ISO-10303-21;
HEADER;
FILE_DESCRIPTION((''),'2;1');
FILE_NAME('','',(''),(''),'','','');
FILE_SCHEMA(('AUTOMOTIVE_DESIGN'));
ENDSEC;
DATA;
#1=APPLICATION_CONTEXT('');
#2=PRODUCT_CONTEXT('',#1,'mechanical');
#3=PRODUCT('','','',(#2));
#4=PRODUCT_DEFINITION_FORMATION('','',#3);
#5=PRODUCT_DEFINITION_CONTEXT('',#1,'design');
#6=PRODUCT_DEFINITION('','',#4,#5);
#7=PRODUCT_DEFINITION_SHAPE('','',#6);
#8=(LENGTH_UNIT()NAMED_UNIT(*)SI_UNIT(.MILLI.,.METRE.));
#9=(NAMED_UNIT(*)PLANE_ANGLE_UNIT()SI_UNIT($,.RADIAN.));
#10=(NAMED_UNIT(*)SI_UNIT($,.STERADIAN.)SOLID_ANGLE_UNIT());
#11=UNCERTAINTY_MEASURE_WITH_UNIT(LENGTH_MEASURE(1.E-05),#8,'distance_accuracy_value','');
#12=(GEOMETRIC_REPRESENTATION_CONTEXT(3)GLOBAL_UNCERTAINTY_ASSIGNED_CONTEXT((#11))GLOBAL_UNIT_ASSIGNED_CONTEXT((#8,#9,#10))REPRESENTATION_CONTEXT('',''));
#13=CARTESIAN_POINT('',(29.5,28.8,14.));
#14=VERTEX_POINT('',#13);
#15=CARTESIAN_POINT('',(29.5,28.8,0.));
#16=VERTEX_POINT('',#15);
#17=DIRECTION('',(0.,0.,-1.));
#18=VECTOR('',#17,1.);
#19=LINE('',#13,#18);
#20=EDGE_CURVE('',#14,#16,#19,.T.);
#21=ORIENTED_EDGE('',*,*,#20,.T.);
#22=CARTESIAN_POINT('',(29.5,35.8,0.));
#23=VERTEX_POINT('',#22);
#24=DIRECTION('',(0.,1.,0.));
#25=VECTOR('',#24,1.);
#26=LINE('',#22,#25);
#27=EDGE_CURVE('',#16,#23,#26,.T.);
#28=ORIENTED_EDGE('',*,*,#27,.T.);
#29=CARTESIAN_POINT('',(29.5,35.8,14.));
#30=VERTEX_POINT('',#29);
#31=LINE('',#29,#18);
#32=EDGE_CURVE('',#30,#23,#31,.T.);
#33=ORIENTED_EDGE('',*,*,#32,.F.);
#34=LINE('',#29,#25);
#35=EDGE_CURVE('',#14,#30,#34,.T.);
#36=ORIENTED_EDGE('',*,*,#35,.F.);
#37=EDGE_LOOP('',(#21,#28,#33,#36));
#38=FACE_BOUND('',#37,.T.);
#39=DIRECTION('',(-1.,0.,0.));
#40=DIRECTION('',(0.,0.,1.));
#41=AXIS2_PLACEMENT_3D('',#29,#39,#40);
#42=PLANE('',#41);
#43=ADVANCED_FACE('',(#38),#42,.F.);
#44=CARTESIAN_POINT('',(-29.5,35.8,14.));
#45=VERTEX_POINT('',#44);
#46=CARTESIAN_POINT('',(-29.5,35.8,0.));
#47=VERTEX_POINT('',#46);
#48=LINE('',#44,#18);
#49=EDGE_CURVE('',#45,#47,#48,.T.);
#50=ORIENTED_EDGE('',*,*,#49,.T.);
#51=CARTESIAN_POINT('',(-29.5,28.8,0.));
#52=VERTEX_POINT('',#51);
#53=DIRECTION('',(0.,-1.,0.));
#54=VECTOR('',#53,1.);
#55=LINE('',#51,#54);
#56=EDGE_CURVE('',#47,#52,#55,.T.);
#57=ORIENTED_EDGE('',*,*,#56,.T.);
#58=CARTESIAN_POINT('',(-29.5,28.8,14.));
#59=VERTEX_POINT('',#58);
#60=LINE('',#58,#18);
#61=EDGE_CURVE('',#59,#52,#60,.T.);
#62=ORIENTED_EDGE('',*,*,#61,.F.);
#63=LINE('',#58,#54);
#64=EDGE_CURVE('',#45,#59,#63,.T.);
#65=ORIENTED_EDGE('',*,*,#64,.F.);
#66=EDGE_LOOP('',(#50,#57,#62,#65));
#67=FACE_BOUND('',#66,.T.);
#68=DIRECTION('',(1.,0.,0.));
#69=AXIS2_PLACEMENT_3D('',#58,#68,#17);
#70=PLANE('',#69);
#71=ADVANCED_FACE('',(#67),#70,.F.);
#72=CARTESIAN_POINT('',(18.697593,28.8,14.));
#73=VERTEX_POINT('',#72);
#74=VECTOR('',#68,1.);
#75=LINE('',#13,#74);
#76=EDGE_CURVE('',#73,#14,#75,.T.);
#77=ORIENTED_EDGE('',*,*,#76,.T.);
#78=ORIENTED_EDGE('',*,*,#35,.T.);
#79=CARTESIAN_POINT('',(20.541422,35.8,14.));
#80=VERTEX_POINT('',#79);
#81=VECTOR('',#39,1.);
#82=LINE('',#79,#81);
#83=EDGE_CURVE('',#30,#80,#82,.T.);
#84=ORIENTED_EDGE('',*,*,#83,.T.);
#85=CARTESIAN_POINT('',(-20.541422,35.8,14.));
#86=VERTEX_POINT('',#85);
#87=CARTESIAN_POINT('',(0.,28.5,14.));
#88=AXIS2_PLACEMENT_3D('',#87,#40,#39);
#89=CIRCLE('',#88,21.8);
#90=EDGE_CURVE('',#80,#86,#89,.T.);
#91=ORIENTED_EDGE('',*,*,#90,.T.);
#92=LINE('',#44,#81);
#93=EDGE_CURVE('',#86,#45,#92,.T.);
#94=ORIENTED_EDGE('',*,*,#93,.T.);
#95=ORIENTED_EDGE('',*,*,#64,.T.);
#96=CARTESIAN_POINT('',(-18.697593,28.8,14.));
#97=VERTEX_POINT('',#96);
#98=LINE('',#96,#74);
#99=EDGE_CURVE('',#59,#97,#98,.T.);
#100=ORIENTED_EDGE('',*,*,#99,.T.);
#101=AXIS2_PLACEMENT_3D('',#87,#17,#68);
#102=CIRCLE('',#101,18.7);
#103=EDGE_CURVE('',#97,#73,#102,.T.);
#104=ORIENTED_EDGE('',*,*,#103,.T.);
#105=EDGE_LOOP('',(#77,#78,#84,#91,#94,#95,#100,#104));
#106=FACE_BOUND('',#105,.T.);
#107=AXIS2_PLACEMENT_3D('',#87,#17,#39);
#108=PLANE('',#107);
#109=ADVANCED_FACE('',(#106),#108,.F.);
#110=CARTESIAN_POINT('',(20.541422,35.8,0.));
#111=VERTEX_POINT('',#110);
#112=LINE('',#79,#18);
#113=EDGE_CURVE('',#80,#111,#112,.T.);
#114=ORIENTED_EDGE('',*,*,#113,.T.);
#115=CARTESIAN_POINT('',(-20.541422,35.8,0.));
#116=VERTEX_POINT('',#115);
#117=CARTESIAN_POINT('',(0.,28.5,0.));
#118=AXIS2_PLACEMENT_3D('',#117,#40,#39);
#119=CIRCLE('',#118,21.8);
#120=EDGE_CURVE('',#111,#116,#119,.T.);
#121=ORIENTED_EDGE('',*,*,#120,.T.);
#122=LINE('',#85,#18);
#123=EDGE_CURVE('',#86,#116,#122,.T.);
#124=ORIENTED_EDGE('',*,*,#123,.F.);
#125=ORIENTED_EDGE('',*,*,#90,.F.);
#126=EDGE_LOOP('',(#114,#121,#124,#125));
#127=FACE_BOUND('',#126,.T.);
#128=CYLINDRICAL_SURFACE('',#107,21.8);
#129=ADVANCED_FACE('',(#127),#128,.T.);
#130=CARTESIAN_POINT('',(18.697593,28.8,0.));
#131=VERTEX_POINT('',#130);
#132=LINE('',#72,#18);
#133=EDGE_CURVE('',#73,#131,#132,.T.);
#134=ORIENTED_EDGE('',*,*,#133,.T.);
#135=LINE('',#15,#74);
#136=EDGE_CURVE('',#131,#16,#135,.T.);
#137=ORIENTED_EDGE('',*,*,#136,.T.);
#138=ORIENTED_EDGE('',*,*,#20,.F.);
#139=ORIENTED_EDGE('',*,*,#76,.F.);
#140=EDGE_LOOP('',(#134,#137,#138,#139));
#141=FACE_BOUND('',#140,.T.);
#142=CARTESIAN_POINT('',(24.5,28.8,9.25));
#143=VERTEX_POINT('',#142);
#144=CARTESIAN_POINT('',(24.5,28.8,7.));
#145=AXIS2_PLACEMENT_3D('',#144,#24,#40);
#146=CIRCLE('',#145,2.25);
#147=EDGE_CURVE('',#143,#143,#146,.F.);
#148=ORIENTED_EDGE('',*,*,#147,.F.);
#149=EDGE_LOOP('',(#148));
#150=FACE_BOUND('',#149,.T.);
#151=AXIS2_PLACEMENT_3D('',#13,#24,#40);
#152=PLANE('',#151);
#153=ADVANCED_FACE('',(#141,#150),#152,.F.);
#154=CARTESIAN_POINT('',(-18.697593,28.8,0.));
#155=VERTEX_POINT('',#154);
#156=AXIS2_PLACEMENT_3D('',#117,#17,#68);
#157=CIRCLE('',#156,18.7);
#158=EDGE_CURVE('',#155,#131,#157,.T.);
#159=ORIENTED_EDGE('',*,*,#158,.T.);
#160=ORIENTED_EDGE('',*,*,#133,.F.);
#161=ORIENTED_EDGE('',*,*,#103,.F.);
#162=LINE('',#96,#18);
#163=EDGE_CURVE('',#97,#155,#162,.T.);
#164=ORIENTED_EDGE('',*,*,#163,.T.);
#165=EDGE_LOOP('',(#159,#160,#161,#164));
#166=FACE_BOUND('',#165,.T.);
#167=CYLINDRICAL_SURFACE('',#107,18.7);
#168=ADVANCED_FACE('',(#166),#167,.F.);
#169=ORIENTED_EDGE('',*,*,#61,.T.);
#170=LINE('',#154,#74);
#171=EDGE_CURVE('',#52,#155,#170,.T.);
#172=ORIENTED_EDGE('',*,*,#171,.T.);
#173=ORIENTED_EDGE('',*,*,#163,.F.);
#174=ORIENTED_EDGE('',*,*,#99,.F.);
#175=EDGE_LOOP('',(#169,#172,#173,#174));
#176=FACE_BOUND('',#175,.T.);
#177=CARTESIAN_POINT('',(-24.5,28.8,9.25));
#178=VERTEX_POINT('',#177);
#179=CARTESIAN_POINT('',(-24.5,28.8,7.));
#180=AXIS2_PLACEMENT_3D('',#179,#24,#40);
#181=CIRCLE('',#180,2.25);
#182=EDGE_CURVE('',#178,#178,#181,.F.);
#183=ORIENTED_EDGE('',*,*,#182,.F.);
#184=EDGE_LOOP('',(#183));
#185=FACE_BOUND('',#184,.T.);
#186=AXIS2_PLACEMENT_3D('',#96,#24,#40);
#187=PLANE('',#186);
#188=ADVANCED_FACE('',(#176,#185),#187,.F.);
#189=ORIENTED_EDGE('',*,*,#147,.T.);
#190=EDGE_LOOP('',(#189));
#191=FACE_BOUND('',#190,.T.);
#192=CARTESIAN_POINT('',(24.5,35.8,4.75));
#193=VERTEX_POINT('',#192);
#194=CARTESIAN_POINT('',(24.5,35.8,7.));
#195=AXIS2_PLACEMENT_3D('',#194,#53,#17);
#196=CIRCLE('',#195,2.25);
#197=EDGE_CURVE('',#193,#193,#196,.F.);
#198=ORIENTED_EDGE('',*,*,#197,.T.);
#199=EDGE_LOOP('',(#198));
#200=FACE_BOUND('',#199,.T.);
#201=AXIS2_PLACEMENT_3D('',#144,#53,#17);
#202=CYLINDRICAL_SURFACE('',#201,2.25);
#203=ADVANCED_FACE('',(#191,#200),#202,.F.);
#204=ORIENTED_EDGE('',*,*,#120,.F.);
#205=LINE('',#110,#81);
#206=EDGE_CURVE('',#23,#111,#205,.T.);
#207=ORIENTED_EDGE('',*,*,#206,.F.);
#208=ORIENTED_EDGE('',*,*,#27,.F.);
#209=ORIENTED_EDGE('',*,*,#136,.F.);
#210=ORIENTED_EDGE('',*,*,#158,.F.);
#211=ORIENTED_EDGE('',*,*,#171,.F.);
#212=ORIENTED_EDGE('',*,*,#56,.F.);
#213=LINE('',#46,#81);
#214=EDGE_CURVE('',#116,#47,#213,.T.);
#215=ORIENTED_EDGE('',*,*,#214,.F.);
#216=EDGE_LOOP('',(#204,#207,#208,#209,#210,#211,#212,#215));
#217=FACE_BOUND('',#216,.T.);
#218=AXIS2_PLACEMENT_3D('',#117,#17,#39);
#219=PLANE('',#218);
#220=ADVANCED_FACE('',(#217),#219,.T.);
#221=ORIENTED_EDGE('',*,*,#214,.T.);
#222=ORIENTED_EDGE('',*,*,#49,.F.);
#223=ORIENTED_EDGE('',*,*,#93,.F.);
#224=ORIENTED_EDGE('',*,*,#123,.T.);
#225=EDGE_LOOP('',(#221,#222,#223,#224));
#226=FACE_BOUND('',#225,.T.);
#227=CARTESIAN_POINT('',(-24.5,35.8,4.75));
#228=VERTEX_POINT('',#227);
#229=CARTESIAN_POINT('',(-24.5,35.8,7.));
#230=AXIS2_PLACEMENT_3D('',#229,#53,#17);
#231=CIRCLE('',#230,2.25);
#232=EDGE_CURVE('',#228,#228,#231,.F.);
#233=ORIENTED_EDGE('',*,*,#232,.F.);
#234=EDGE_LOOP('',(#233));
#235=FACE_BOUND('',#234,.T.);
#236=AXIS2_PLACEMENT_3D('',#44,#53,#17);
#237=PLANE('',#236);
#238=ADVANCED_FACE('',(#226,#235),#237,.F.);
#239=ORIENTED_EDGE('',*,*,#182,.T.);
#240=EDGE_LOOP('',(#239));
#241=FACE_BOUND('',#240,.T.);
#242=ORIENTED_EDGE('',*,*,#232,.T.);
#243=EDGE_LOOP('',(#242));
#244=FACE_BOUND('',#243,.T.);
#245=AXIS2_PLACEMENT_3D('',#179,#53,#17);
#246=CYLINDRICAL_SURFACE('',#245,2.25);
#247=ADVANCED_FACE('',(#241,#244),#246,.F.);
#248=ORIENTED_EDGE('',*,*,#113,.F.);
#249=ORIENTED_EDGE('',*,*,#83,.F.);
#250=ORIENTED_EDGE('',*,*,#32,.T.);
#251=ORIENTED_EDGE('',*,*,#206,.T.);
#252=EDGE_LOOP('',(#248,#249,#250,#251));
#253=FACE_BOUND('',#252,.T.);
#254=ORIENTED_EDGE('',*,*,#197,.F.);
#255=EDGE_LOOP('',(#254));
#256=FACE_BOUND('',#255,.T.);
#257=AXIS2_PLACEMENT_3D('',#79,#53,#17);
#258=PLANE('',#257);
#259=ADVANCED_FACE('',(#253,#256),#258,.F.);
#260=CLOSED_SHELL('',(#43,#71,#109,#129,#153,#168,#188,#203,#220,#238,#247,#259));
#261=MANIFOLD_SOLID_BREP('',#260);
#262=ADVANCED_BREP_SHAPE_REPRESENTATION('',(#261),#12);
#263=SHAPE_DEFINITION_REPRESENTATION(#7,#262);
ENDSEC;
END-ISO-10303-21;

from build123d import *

# Parameters (mm, degrees)
BOLTED_CAP_AND_EARS_DEPTH   = 14
M4_THROUGH_HOLES_DEPTH      = 60.969492244
M4_THROUGH_HOLES_DEPTH_BACK = 60.969492244
SKETCH2_R                   = 2.25


with BuildPart() as part:
    # Bolted cap and ears profile → Bolted cap and ears (new body)
    with BuildSketch(Plane.XY):
        with BuildLine():
            Line((20.541421567, 35.8), (29.5, 35.8))
            Line((29.5, 35.8), (29.5, 28.8))
            Line((29.5, 28.8), (18.697593428, 28.8))
            ThreePointArc((18.697593428, 28.8), (0, 47.2), (-18.697593428, 28.8))
            Line((-18.697593428, 28.8), (-29.5, 28.8))
            Line((-29.5, 28.8), (-29.5, 35.8))
            Line((-29.5, 35.8), (-20.541421567, 35.8))
            ThreePointArc((-20.541421567, 35.8), (0, 50.3), (20.541421567, 35.8))
        make_face()
    extrude(amount=BOLTED_CAP_AND_EARS_DEPTH)

    # Sketch2 → M4 through holes (cut, two sides: drawn at the far end of the back side and taken through both)
    with BuildSketch(Plane(origin=(0, 0, 0), x_dir=(1, 0, 0), z_dir=(0, 1, 0)).offset(-M4_THROUGH_HOLES_DEPTH_BACK)):
        with Locations(Location((-24.5, -7, 0), (0, 0, 90))):
            Circle(SKETCH2_R)
        with Locations(Location((24.5, -7, 0), (0, 0, 90))):
            Circle(SKETCH2_R)
    extrude(amount=M4_THROUGH_HOLES_DEPTH + M4_THROUGH_HOLES_DEPTH_BACK, mode=Mode.SUBTRACT)


solid = part.part
